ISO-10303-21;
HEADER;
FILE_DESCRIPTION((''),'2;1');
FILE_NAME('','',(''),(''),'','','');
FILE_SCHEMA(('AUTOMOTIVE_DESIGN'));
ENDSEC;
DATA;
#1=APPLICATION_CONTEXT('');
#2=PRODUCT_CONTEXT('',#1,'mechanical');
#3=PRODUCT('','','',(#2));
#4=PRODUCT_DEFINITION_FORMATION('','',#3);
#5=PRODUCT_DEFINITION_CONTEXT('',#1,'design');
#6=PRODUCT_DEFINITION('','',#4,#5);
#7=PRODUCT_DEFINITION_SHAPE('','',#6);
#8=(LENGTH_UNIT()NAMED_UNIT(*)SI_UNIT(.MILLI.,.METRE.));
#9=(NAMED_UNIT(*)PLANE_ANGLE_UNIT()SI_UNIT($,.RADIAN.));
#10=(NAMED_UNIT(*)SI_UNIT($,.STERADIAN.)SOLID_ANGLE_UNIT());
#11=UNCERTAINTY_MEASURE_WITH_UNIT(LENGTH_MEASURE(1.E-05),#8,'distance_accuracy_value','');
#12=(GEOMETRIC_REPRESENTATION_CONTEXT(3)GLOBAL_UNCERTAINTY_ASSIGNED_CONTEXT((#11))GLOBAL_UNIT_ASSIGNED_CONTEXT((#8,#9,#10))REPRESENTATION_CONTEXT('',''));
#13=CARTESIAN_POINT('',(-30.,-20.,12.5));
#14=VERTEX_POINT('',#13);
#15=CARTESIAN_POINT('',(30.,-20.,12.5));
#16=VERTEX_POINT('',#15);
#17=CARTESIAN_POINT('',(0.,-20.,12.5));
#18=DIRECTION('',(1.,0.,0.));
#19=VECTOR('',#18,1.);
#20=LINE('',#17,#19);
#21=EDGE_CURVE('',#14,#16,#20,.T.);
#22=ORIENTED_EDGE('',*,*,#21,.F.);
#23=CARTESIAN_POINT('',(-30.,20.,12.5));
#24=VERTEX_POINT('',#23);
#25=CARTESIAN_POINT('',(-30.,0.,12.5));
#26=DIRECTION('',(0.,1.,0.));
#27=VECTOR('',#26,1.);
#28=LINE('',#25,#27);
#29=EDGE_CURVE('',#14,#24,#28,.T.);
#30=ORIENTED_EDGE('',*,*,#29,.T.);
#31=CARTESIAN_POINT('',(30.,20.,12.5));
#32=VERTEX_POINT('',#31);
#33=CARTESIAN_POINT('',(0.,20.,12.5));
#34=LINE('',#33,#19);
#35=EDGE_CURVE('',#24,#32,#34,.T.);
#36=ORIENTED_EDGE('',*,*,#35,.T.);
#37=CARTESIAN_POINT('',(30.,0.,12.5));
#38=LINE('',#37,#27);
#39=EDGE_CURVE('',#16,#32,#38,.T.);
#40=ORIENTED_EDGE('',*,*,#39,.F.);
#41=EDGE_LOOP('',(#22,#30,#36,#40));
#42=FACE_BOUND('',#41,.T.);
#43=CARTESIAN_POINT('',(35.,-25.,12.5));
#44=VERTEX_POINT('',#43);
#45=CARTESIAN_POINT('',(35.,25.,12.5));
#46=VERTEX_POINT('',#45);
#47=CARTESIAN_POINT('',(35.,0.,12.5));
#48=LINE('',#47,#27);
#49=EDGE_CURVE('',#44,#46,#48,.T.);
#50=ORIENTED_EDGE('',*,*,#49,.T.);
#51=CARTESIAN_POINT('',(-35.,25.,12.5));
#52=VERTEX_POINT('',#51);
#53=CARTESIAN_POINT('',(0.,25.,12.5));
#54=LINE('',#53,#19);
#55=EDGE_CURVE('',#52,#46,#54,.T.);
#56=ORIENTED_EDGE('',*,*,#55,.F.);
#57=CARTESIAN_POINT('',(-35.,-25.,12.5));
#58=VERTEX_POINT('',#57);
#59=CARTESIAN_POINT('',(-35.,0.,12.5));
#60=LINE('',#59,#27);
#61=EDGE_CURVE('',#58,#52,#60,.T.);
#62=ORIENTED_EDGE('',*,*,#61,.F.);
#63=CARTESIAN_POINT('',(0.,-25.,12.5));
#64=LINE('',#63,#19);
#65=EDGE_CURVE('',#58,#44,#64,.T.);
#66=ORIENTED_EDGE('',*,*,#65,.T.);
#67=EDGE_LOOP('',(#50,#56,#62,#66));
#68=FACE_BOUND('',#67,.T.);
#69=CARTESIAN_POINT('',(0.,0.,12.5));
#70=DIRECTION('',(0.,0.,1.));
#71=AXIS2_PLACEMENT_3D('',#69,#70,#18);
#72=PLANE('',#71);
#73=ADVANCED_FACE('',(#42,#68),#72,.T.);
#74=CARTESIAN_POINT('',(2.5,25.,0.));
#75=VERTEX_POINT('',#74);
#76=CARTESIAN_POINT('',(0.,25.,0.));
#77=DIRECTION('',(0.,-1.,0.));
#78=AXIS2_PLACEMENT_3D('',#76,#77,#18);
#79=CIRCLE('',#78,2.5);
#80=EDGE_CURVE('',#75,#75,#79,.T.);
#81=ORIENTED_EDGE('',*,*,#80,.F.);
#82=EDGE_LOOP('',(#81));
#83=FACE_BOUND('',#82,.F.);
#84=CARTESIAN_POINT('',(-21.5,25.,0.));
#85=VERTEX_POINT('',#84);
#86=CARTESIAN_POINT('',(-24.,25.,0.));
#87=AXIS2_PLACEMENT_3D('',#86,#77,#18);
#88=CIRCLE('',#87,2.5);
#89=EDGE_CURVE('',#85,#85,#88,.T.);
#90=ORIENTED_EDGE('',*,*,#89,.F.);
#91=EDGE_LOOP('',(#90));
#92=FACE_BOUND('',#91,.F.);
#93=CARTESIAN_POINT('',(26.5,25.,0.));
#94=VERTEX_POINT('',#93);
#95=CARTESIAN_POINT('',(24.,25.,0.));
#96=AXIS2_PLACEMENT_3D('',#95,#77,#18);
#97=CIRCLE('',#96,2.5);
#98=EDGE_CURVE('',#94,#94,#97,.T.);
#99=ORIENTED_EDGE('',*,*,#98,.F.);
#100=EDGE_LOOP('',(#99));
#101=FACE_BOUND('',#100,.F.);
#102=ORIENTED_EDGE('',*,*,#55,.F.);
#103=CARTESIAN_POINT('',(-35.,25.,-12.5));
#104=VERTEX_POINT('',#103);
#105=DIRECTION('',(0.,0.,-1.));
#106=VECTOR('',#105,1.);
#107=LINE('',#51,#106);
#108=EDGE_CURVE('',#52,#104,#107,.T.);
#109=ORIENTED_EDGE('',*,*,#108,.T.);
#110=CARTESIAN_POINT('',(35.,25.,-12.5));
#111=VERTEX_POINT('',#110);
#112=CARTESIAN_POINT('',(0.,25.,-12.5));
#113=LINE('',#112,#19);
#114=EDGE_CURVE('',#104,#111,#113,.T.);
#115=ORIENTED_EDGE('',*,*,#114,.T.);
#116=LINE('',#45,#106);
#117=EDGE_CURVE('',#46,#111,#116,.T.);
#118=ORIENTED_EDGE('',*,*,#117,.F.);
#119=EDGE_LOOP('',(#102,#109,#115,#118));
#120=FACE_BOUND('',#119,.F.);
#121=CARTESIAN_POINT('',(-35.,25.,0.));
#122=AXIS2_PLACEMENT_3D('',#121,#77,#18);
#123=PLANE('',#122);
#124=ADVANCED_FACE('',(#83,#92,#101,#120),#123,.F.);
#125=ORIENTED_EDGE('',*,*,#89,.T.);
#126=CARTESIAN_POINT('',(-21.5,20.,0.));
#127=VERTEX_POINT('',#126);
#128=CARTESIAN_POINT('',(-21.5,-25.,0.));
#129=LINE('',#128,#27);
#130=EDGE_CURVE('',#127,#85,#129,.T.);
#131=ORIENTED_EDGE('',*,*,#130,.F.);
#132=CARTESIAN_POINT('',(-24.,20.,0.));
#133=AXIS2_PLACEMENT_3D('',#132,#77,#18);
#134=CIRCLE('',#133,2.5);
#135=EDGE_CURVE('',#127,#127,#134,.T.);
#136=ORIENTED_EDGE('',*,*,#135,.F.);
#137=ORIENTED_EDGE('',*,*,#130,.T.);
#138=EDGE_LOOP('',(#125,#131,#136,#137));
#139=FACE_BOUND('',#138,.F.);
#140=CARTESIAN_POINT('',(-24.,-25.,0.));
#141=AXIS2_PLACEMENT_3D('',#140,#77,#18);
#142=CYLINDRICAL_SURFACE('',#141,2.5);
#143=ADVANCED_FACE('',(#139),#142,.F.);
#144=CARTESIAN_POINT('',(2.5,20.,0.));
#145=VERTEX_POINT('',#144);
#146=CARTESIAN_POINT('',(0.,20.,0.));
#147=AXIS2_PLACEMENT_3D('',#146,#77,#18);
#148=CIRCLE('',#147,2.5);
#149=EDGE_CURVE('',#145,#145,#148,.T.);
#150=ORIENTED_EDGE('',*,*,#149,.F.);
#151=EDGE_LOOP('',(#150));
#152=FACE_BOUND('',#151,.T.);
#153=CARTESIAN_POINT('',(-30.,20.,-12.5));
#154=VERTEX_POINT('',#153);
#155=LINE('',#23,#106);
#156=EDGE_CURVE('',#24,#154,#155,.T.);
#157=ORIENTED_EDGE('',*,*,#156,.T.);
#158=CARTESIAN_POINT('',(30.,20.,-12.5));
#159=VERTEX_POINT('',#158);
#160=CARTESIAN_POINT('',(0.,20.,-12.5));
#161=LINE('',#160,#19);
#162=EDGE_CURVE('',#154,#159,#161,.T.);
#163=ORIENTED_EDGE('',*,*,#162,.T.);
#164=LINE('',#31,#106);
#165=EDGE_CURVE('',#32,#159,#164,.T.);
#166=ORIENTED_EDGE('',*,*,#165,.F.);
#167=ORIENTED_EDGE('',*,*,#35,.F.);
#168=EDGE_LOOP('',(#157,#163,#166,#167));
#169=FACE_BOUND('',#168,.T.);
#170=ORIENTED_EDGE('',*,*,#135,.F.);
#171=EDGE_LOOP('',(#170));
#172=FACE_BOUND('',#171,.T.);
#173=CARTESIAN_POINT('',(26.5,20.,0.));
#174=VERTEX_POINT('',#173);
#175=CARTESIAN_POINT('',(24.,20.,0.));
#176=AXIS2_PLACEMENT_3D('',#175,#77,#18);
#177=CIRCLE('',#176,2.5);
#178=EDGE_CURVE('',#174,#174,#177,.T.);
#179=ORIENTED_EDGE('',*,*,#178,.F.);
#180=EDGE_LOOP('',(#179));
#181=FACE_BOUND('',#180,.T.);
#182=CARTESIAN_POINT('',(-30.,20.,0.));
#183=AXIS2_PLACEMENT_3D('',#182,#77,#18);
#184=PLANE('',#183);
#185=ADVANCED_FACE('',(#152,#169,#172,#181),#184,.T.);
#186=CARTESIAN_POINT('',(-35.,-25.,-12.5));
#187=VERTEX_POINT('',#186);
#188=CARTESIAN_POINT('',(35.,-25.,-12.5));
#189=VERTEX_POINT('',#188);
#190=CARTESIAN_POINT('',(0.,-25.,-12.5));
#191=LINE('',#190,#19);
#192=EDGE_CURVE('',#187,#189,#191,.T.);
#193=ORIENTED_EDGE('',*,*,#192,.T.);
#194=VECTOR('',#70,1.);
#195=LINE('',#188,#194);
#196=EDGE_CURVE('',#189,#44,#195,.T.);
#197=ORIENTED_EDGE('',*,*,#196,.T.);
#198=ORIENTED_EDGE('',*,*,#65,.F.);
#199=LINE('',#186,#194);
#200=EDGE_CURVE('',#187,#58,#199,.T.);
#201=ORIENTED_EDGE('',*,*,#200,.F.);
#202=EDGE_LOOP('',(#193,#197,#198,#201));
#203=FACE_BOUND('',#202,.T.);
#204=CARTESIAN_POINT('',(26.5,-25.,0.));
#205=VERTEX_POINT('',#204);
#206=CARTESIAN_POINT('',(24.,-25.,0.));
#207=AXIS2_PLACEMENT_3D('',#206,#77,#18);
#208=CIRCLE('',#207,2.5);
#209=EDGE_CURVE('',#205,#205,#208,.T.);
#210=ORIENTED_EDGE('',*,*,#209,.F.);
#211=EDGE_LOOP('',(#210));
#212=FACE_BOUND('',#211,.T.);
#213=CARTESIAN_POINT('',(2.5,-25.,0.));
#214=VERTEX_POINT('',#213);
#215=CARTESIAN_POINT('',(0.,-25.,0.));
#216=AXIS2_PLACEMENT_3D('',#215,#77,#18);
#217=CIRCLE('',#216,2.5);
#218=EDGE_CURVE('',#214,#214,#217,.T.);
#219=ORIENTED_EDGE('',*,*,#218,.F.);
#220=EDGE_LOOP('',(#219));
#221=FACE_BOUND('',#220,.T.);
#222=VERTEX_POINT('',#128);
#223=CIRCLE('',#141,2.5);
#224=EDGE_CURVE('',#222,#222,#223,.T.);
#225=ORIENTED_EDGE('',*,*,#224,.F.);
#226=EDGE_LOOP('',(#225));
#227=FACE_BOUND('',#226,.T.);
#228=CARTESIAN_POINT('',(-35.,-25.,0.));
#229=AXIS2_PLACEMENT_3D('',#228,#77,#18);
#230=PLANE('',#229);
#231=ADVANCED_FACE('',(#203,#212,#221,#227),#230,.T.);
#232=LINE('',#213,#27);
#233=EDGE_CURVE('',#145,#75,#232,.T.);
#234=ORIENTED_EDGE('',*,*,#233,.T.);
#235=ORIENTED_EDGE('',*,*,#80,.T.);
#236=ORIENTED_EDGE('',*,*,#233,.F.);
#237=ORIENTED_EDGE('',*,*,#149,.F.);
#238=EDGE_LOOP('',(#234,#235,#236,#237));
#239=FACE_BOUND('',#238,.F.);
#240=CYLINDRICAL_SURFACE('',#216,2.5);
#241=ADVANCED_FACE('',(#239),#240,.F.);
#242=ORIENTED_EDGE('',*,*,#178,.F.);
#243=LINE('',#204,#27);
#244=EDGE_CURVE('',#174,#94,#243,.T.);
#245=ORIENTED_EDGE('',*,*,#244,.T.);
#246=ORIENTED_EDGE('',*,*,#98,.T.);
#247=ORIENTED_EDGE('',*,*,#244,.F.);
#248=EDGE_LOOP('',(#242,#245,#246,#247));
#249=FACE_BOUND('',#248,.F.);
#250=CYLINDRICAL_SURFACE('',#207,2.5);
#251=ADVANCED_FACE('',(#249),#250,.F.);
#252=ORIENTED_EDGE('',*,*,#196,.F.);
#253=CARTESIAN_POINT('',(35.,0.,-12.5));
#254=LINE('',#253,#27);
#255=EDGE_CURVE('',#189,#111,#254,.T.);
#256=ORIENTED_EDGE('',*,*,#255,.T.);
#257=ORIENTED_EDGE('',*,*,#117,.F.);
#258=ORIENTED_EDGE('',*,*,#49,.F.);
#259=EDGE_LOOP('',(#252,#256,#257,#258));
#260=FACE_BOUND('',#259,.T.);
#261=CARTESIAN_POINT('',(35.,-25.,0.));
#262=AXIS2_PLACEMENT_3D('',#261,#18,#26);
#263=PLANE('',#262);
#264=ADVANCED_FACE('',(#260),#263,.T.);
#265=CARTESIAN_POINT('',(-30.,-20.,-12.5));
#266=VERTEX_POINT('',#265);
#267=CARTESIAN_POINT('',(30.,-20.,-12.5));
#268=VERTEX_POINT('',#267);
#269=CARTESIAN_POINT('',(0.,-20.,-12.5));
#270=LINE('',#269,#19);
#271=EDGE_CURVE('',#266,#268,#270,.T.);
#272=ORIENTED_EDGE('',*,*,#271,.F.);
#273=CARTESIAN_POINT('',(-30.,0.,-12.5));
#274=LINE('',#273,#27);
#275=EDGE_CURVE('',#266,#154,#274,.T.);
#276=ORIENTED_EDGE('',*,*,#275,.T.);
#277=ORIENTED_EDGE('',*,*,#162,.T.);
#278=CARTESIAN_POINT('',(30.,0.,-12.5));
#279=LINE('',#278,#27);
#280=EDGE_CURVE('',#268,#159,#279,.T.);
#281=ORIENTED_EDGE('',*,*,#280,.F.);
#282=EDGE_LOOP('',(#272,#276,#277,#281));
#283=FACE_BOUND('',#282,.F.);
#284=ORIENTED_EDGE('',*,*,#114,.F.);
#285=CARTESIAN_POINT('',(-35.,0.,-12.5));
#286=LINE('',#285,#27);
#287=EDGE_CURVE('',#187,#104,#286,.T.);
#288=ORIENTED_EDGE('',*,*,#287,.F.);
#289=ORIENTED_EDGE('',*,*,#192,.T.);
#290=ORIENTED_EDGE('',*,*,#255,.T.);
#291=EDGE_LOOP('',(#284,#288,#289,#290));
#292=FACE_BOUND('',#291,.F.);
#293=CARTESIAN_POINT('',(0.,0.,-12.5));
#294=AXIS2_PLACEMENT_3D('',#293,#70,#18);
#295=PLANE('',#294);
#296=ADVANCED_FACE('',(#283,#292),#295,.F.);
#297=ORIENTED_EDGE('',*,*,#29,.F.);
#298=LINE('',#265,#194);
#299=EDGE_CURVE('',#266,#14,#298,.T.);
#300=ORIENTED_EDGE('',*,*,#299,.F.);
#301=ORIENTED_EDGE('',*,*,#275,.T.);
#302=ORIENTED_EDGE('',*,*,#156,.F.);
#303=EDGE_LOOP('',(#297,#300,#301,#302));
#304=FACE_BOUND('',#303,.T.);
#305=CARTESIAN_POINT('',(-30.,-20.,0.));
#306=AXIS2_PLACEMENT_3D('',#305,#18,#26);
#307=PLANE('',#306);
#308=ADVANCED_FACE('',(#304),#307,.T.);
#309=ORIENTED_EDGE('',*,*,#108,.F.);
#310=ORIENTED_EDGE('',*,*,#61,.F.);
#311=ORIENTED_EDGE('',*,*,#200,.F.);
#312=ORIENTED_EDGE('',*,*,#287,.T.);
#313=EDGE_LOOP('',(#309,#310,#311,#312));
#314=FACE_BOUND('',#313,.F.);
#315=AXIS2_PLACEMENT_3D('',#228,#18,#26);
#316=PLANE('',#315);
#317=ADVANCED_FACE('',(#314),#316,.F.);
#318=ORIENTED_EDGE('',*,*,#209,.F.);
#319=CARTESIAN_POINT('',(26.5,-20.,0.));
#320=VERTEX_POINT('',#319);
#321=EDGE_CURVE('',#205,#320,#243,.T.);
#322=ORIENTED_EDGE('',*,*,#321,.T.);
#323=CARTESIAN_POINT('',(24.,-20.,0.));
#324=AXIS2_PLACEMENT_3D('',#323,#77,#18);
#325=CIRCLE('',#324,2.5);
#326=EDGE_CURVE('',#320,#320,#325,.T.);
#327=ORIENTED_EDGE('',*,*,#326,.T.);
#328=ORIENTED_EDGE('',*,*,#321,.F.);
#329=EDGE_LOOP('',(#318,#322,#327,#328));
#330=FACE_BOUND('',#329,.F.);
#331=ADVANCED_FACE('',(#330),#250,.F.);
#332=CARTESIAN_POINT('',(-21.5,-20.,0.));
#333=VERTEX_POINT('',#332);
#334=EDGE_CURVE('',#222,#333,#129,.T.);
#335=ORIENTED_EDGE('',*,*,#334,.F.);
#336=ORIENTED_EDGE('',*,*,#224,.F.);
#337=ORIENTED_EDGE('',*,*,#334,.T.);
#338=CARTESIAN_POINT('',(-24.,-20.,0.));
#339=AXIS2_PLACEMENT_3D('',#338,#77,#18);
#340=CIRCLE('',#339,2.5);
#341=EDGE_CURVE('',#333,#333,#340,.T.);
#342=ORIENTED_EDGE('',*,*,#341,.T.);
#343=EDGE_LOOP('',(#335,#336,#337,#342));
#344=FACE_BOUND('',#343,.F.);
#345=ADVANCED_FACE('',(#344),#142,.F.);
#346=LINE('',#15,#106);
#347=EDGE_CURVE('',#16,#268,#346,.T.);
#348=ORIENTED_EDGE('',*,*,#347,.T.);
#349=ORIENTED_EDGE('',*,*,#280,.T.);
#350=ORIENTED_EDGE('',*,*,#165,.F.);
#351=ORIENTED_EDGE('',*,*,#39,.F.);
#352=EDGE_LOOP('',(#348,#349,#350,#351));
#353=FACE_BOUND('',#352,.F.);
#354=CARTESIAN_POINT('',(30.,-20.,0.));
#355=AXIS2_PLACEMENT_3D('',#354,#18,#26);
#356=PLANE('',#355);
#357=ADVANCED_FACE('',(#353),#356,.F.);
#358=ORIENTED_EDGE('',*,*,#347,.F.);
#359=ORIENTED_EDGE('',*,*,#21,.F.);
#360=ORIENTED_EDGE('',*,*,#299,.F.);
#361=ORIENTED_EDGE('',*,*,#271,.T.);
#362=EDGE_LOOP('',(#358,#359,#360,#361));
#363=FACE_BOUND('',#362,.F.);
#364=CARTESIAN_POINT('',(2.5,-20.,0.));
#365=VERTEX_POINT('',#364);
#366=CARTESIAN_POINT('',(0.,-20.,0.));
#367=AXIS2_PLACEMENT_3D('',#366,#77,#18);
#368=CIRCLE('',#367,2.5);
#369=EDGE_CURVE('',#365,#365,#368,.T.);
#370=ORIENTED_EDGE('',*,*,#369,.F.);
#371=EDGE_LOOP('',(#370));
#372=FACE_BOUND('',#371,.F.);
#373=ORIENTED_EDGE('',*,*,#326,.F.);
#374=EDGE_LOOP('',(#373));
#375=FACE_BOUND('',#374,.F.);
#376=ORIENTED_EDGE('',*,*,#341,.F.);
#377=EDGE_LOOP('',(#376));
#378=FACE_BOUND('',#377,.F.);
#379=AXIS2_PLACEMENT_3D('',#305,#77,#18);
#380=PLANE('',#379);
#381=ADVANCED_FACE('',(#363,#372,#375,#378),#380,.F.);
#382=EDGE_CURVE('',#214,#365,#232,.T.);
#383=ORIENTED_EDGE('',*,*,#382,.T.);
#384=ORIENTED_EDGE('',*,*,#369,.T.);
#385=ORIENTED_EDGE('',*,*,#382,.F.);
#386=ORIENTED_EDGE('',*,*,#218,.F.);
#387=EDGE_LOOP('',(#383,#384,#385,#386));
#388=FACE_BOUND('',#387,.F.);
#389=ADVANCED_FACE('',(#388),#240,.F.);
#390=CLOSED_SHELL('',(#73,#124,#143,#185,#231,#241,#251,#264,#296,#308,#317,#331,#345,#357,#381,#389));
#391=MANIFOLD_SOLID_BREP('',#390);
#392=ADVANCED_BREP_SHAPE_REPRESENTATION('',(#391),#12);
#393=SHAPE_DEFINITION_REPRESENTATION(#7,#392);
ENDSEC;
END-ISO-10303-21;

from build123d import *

# Parameters (mm, degrees)
F0_W     = 70
F0_H     = 50
F0_W_2   = 60
F0_H_2   = 40
F1_DEPTH = 12.5
F2_R     = 2.5
F3_DEPTH = 50.001


with BuildPart() as f1:
    # F0 (on Top) → F1 (new body, symmetric)
    with BuildSketch(Plane.XY):
        Rectangle(F0_W, F0_H)
        Rectangle(F0_W_2, F0_H_2, mode=Mode.SUBTRACT)
    extrude(amount=F1_DEPTH, both=True)

    # F2 (on face) → F3 (cut, through all)
    with BuildSketch(Plane.XZ.offset(25)):
        with Locations((-24, 0)):
            Circle(F2_R)
        Circle(F2_R)
        with Locations((24, 0)):
            Circle(F2_R)
    extrude(amount=-F3_DEPTH, mode=Mode.SUBTRACT)


solid = f1.part
